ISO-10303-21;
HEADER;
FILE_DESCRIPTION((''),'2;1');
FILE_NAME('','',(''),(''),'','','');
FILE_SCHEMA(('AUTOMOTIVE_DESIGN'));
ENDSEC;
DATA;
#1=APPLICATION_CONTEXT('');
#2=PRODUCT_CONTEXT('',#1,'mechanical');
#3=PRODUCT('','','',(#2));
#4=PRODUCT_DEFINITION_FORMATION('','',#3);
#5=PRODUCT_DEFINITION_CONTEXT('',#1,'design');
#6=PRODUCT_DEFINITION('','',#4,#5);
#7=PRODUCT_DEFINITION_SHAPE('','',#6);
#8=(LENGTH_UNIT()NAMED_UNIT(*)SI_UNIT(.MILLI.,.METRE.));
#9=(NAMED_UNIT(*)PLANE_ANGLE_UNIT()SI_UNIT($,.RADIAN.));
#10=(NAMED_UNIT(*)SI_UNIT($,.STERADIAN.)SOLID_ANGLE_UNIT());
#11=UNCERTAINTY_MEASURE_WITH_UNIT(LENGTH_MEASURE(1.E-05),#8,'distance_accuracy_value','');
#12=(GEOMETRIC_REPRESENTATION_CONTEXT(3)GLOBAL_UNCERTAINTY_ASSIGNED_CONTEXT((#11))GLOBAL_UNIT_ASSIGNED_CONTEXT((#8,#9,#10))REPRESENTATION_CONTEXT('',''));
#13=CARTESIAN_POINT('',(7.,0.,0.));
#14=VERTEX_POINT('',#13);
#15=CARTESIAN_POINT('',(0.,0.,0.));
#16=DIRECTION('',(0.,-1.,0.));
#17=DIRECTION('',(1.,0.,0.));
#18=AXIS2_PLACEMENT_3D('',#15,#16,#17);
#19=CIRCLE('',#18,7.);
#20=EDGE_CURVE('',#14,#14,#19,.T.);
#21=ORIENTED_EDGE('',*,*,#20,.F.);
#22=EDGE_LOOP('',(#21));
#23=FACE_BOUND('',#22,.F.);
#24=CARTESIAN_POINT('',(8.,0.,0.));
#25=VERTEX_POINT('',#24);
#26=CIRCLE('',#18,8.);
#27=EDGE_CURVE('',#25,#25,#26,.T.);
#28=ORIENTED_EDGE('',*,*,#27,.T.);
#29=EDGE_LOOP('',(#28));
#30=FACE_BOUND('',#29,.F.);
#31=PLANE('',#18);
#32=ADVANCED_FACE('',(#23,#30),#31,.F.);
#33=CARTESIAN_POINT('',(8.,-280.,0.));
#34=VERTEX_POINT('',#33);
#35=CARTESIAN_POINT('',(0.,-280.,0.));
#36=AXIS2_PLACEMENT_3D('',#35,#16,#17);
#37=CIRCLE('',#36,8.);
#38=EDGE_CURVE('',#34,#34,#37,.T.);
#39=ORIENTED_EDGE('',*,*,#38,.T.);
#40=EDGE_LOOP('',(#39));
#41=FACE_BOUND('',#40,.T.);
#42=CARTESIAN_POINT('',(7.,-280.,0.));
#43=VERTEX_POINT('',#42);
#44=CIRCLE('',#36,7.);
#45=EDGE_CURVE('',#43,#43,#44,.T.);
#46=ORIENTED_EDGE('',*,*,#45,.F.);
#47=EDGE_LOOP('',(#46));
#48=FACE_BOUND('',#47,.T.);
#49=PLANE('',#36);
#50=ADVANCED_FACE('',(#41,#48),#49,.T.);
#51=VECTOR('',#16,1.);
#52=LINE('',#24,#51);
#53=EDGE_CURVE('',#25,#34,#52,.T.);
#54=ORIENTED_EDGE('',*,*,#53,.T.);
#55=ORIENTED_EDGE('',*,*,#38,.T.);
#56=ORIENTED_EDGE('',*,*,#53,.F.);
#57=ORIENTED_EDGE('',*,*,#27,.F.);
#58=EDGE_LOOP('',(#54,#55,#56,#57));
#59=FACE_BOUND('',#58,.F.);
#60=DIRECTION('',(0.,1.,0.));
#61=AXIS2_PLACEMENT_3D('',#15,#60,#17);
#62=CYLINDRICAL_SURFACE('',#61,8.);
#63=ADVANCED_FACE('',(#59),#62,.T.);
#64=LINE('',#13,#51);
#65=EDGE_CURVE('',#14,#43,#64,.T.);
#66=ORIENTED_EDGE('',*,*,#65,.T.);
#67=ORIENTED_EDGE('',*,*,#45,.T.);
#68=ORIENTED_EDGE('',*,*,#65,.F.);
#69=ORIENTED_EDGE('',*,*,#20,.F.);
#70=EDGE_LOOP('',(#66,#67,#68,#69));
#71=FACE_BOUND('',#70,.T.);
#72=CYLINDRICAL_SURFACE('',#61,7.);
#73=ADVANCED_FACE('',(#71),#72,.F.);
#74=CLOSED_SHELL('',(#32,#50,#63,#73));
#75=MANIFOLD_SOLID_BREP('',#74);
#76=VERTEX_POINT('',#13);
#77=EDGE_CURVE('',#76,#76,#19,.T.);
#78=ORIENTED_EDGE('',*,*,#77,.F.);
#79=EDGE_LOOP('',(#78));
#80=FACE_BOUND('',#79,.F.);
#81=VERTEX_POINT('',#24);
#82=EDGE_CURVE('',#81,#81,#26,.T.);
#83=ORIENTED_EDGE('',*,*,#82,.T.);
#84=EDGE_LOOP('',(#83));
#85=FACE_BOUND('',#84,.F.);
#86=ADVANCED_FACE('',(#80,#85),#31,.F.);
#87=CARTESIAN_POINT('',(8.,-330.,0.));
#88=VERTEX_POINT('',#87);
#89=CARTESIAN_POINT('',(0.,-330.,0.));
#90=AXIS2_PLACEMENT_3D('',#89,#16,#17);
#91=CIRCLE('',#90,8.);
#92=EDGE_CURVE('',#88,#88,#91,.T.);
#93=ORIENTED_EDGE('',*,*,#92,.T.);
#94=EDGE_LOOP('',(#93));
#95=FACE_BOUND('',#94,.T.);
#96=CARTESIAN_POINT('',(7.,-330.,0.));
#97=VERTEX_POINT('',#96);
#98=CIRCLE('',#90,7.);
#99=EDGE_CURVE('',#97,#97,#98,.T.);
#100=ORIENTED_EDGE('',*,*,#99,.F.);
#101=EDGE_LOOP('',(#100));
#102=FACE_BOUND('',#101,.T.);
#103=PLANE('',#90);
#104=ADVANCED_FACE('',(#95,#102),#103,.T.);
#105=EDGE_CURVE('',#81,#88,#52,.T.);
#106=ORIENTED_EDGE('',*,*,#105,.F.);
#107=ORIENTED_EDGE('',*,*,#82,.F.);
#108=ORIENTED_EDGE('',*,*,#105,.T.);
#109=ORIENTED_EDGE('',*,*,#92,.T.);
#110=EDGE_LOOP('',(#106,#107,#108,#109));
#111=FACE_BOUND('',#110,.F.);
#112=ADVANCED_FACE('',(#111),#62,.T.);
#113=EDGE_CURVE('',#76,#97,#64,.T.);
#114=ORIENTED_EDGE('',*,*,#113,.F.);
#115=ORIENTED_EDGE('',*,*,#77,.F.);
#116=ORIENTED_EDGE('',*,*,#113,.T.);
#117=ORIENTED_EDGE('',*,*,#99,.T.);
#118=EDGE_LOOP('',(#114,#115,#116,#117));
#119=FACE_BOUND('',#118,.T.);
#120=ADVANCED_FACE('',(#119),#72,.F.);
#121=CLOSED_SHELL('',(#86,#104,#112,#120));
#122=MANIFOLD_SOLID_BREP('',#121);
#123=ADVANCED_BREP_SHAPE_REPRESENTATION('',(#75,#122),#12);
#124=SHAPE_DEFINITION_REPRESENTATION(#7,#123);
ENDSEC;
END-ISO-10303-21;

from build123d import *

# Parameters (mm, degrees)
F0_R     = 8
F0_R_2   = 7
F1_DEPTH = 330
F2_DEPTH = 280


with BuildPart() as f1:
    # F0 (on Front) → F1 (new body)
    with BuildSketch(Plane.XZ):
        Circle(F0_R)
        Circle(F0_R_2, mode=Mode.SUBTRACT)
    extrude(amount=F1_DEPTH)


with BuildPart() as f2:
    # F0 (on Front) → F2 (new body)
    with BuildSketch(Plane.XZ):
        Circle(F0_R)
        Circle(F0_R_2, mode=Mode.SUBTRACT)
    extrude(amount=F2_DEPTH)


solid = Compound([f1.part, f2.part])
